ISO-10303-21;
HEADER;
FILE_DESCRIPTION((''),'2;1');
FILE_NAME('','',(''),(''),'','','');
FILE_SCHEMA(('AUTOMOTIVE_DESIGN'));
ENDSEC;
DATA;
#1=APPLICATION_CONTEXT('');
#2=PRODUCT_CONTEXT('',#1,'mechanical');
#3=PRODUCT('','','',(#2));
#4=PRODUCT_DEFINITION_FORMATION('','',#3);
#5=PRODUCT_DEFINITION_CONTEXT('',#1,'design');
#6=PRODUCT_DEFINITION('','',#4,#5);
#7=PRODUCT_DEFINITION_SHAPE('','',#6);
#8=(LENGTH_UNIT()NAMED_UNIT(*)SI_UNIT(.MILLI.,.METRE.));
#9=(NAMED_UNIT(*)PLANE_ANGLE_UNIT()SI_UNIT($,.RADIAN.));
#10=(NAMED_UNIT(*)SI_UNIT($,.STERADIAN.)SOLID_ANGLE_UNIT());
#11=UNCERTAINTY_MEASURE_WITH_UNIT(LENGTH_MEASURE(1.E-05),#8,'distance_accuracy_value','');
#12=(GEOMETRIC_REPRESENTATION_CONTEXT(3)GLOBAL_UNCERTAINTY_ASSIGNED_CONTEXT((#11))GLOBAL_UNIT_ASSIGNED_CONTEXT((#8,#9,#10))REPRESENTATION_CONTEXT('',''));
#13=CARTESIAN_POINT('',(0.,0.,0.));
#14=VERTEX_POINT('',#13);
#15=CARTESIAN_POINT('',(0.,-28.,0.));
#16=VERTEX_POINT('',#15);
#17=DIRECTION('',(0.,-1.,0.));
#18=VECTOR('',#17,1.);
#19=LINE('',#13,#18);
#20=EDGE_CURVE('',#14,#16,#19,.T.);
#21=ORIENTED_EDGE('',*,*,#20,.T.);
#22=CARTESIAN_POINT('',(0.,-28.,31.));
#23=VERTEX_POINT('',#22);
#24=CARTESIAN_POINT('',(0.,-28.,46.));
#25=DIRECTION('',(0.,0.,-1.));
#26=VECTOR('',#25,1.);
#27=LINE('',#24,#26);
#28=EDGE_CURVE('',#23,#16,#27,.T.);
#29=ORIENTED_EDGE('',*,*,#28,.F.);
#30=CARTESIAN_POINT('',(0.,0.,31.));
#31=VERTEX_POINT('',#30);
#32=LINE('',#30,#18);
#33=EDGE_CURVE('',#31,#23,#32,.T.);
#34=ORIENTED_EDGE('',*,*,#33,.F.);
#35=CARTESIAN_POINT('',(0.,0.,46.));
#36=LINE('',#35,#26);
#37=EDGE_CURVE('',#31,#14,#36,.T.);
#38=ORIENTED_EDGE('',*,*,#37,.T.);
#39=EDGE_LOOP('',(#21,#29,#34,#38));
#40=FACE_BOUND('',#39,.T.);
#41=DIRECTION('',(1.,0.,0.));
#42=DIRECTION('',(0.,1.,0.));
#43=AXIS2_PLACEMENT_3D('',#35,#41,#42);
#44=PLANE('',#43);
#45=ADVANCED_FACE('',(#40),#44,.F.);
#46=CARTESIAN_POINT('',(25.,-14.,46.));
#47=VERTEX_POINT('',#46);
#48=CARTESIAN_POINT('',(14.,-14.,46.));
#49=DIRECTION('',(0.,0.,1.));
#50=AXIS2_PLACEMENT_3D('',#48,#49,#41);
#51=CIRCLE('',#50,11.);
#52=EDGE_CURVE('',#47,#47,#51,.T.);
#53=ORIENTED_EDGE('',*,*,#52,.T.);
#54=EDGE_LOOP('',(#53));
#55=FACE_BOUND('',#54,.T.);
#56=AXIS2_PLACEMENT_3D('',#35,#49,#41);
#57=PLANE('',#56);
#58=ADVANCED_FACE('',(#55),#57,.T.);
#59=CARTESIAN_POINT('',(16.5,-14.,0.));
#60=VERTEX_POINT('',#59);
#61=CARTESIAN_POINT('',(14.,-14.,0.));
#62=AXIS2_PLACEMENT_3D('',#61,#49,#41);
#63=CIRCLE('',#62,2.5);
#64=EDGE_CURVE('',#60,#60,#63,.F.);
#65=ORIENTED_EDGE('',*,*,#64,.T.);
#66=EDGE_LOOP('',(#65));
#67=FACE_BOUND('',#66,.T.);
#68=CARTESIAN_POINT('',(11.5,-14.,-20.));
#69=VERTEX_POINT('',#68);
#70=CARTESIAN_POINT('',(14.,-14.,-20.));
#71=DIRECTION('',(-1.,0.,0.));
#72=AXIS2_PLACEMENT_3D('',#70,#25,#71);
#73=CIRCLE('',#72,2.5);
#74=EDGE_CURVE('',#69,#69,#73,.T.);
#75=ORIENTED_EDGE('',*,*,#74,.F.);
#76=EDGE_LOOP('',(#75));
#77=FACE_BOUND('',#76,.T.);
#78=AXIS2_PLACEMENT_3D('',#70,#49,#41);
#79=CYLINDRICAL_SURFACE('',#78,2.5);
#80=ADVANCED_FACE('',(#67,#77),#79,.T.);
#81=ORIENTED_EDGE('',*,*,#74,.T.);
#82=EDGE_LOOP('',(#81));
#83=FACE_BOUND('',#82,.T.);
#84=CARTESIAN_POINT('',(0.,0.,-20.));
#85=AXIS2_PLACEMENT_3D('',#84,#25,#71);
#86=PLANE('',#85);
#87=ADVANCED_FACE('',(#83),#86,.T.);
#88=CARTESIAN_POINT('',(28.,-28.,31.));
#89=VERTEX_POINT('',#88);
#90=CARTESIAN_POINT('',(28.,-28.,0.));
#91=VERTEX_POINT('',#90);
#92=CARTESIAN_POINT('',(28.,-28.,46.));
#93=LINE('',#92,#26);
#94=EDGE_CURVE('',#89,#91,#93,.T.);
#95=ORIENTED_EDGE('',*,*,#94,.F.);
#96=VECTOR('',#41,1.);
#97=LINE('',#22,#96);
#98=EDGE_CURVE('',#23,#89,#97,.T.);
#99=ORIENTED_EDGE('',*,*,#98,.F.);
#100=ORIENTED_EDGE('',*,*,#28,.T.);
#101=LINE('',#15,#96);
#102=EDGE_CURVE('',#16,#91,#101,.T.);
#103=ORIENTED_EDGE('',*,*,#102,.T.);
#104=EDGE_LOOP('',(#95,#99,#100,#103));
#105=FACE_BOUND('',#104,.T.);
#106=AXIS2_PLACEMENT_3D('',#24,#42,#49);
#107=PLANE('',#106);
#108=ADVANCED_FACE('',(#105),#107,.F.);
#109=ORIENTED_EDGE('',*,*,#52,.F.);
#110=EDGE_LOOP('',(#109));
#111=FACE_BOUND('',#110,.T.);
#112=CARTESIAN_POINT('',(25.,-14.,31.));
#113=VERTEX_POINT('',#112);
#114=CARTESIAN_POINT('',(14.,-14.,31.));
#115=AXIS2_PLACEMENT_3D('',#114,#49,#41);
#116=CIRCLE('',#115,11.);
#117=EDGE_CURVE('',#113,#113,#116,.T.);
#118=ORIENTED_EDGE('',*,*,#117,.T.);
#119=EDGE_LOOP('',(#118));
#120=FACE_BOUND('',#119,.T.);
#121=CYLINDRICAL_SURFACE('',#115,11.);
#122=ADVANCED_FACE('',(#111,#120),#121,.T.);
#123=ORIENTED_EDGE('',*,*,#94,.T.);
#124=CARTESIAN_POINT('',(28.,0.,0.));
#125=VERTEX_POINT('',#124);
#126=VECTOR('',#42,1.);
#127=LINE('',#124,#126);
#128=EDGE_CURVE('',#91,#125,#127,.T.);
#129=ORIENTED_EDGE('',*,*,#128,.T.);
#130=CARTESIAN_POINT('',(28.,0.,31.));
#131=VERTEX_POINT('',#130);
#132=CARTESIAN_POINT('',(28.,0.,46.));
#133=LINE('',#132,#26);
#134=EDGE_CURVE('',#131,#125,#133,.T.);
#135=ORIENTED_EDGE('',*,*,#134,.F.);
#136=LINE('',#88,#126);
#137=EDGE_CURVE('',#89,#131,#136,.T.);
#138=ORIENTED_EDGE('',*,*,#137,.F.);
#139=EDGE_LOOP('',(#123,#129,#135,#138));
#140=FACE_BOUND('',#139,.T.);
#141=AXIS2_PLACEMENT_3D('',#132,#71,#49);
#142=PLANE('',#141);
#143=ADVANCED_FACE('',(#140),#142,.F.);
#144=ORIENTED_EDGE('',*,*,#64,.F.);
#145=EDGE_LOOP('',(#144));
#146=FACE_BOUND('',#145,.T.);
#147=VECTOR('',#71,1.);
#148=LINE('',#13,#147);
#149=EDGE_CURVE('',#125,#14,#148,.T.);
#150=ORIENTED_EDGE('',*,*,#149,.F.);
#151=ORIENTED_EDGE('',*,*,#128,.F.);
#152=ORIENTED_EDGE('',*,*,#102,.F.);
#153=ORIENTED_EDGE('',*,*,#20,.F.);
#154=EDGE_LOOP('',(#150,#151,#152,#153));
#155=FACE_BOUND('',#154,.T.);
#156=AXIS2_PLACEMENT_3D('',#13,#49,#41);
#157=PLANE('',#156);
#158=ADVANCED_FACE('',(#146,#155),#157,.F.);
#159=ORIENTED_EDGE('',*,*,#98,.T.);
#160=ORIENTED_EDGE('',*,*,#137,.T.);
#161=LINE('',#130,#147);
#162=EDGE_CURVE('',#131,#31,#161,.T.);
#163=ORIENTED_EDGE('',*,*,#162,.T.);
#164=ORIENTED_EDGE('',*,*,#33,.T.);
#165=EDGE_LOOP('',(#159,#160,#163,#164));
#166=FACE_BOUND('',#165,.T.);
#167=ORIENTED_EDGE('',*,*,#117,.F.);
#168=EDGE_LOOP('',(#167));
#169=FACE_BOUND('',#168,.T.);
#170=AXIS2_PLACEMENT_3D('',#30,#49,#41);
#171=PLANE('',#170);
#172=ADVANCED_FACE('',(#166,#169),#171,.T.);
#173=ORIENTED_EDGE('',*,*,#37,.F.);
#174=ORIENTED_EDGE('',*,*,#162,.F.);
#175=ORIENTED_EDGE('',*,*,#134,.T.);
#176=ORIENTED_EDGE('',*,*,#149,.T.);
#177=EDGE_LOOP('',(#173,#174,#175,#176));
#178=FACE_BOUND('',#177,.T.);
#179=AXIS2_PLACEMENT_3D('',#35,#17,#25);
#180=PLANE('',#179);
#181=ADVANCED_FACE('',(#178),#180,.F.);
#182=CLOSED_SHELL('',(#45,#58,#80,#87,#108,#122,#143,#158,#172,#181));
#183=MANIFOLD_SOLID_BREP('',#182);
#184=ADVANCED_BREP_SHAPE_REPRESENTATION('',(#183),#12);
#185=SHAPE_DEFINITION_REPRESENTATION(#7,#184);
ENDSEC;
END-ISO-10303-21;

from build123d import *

# Parameters (mm, degrees)
SKETCH1_W           = 28
SKETCH1_H           = 28
BOSS_EXTRUDE1_DEPTH = 46
SKETCH2_W           = 28
SKETCH2_H           = 28
SKETCH2_R           = 11
CUT_EXTRUDE1_DEPTH  = 15
SKETCH3_R           = 2.5
BOSS_EXTRUDE2_DEPTH = 20


with BuildPart() as part:
    # Sketch1 → Boss-Extrude1 (new body)
    with BuildSketch(Plane.XY):
        with Locations((14, -14)):
            Rectangle(SKETCH1_W, SKETCH1_H)
    extrude(amount=BOSS_EXTRUDE1_DEPTH)

    # Sketch2 → Cut-Extrude1 (cut)
    with BuildSketch(Plane.XY.offset(46)):
        with Locations((14, -14)):
            Rectangle(SKETCH2_W, SKETCH2_H)
        with Locations((14, -14)):
            Circle(SKETCH2_R, mode=Mode.SUBTRACT)
    extrude(amount=-CUT_EXTRUDE1_DEPTH, mode=Mode.SUBTRACT)

    # Sketch3 → Boss-Extrude2 (add)
    with BuildSketch(Plane(origin=(0, 0, 0), x_dir=(-1, 0, 0), z_dir=(0, 0, -1))):
        with Locations((-14, -14)):
            Circle(SKETCH3_R)
    extrude(amount=BOSS_EXTRUDE2_DEPTH)


solid = part.part
